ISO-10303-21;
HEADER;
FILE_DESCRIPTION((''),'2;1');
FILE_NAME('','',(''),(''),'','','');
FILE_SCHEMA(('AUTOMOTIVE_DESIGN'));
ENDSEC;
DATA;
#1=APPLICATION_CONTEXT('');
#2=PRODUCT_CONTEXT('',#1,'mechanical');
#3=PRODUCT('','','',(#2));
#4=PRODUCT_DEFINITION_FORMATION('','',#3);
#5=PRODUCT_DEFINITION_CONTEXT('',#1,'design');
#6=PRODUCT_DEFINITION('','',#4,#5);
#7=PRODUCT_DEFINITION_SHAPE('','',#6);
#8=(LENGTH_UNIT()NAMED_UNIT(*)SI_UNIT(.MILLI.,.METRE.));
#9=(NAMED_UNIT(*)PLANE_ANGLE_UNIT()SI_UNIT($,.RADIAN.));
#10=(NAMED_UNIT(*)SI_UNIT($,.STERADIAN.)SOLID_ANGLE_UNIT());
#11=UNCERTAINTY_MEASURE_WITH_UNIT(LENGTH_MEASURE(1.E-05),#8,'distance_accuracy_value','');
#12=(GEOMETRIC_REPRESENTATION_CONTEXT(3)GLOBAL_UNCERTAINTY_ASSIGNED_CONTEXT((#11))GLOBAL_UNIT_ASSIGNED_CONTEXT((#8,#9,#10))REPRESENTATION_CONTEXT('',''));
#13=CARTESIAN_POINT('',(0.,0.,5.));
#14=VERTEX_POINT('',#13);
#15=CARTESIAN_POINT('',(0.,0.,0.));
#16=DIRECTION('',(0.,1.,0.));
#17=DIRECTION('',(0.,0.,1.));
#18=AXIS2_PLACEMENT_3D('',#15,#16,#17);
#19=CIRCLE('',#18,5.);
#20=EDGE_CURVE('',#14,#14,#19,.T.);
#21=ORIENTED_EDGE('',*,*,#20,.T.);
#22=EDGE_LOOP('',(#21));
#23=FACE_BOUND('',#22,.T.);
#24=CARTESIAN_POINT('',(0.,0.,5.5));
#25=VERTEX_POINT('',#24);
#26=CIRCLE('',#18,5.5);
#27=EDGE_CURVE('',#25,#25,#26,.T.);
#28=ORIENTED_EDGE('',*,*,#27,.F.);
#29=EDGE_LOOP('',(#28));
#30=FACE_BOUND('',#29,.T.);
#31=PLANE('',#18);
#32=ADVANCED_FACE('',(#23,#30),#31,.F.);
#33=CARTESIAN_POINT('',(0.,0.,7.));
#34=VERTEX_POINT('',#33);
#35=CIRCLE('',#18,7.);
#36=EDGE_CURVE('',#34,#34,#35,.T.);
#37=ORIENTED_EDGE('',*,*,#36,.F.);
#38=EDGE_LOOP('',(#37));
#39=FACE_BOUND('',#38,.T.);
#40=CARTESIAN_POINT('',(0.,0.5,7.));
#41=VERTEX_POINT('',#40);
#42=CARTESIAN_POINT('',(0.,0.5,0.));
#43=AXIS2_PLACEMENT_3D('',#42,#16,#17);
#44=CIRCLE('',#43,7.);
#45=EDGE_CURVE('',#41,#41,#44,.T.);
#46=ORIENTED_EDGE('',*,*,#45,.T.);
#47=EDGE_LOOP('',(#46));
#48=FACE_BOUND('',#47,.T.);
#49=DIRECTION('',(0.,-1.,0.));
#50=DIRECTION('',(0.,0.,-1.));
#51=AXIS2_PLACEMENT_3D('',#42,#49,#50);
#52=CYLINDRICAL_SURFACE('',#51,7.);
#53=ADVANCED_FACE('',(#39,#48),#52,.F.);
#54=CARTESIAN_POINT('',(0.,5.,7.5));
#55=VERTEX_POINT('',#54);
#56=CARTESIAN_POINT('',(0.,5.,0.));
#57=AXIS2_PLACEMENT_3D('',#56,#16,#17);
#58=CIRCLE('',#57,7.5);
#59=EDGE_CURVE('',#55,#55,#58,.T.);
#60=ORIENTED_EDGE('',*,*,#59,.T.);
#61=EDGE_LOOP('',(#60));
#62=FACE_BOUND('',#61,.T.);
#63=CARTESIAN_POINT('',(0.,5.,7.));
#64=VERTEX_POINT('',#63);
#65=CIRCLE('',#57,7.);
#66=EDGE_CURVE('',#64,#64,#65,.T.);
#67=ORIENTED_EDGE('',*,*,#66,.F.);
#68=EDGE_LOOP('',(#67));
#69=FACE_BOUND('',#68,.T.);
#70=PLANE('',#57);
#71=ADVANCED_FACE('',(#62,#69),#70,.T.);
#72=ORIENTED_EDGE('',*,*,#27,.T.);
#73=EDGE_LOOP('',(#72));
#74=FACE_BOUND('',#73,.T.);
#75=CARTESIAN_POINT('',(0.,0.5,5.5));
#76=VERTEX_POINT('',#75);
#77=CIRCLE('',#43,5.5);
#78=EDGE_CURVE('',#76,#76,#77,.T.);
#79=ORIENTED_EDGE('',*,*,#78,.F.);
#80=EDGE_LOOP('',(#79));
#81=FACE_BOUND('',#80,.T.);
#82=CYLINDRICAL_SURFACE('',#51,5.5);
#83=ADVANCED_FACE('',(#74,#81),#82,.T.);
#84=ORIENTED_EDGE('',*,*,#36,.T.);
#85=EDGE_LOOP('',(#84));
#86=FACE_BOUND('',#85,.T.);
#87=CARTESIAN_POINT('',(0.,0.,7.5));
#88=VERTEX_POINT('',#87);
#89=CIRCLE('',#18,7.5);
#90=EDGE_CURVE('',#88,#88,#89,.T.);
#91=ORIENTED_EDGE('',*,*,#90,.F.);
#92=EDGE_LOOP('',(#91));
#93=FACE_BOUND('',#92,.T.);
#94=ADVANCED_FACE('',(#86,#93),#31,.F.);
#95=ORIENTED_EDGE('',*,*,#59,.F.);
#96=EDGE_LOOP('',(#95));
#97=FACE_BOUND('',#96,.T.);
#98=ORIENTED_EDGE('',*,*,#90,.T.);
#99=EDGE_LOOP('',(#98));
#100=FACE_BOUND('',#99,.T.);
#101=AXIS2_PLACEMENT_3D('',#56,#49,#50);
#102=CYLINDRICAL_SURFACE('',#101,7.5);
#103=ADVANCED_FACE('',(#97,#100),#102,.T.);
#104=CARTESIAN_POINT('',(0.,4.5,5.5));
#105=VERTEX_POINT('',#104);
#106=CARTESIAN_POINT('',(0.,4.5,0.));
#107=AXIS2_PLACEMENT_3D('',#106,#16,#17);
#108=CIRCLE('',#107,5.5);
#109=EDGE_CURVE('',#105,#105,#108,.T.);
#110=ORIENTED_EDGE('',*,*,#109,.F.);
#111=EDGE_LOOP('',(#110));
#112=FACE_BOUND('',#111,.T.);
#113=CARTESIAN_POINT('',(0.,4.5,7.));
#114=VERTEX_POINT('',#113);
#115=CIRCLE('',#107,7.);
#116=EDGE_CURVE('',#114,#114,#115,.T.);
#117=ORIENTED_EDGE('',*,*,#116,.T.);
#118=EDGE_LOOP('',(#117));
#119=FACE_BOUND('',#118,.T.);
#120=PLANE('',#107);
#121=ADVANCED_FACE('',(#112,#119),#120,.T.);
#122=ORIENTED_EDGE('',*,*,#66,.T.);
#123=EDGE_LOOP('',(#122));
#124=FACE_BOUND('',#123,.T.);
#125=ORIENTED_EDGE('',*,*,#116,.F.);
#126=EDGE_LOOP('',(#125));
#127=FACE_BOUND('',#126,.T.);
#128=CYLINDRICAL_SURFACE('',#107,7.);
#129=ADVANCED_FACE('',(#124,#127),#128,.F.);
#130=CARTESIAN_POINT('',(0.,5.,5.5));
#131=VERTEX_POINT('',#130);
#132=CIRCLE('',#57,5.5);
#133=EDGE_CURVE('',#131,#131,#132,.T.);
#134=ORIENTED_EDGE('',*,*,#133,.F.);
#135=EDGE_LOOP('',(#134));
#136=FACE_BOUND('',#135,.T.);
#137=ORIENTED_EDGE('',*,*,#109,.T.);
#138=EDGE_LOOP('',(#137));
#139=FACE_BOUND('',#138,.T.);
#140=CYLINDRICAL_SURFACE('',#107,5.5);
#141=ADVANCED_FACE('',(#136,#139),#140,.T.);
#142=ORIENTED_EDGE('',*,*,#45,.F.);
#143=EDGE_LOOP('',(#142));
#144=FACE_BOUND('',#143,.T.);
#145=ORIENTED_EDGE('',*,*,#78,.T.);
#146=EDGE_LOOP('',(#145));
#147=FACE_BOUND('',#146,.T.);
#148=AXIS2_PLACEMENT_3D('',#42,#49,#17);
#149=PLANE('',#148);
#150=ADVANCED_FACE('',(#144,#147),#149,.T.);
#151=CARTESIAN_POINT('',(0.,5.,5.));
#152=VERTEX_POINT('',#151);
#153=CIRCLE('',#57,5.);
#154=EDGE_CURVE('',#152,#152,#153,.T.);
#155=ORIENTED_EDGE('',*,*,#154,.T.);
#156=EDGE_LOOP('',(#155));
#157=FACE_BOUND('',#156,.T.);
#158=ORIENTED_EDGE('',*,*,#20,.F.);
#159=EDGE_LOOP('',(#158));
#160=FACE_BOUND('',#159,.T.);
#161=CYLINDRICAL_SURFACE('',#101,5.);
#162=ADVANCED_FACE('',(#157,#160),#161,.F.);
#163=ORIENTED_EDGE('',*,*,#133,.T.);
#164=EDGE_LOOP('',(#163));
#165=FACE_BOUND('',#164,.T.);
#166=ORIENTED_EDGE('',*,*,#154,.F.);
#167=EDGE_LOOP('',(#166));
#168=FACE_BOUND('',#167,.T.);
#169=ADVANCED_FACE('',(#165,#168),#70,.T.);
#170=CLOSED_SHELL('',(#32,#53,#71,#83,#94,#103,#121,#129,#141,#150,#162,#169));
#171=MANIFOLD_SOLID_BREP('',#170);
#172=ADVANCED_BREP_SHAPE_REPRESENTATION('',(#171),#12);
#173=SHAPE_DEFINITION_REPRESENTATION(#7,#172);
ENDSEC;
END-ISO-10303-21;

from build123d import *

# Parameters (mm, degrees)
SKETCH1_R           = 7.5
SKETCH1_R_2         = 5
BOSS_EXTRUDE1_DEPTH = 5
SKETCH2_R           = 7
SKETCH2_R_2         = 5.5
CUT_EXTRUDE1_DEPTH  = 0.5


with BuildPart() as part:
    # Sketch1 → Boss-Extrude1 (new body)
    with BuildSketch(Plane(origin=(0, 0, 0), x_dir=(1, 0, 0), z_dir=(0, 1, 0))):
        Circle(SKETCH1_R)
        Circle(SKETCH1_R_2, mode=Mode.SUBTRACT)
    extrude(amount=BOSS_EXTRUDE1_DEPTH)

    # Sketch2 → Cut-Extrude1 (cut)
    with BuildSketch(Plane(origin=(0, 5, 0), x_dir=(1, 0, 0), z_dir=(0, 1, 0))):
        Circle(SKETCH2_R)
        Circle(SKETCH2_R_2, mode=Mode.SUBTRACT)
    cut_extrude1 = extrude(amount=-CUT_EXTRUDE1_DEPTH, mode=Mode.SUBTRACT)

    # Mirror1: Cut-Extrude1 across plane
    add(cut_extrude1.mirror(Plane(origin=(0, 2.5, 0), x_dir=(0, 0, 1), z_dir=(0, -1, 0))), mode=Mode.SUBTRACT)


solid = part.part
